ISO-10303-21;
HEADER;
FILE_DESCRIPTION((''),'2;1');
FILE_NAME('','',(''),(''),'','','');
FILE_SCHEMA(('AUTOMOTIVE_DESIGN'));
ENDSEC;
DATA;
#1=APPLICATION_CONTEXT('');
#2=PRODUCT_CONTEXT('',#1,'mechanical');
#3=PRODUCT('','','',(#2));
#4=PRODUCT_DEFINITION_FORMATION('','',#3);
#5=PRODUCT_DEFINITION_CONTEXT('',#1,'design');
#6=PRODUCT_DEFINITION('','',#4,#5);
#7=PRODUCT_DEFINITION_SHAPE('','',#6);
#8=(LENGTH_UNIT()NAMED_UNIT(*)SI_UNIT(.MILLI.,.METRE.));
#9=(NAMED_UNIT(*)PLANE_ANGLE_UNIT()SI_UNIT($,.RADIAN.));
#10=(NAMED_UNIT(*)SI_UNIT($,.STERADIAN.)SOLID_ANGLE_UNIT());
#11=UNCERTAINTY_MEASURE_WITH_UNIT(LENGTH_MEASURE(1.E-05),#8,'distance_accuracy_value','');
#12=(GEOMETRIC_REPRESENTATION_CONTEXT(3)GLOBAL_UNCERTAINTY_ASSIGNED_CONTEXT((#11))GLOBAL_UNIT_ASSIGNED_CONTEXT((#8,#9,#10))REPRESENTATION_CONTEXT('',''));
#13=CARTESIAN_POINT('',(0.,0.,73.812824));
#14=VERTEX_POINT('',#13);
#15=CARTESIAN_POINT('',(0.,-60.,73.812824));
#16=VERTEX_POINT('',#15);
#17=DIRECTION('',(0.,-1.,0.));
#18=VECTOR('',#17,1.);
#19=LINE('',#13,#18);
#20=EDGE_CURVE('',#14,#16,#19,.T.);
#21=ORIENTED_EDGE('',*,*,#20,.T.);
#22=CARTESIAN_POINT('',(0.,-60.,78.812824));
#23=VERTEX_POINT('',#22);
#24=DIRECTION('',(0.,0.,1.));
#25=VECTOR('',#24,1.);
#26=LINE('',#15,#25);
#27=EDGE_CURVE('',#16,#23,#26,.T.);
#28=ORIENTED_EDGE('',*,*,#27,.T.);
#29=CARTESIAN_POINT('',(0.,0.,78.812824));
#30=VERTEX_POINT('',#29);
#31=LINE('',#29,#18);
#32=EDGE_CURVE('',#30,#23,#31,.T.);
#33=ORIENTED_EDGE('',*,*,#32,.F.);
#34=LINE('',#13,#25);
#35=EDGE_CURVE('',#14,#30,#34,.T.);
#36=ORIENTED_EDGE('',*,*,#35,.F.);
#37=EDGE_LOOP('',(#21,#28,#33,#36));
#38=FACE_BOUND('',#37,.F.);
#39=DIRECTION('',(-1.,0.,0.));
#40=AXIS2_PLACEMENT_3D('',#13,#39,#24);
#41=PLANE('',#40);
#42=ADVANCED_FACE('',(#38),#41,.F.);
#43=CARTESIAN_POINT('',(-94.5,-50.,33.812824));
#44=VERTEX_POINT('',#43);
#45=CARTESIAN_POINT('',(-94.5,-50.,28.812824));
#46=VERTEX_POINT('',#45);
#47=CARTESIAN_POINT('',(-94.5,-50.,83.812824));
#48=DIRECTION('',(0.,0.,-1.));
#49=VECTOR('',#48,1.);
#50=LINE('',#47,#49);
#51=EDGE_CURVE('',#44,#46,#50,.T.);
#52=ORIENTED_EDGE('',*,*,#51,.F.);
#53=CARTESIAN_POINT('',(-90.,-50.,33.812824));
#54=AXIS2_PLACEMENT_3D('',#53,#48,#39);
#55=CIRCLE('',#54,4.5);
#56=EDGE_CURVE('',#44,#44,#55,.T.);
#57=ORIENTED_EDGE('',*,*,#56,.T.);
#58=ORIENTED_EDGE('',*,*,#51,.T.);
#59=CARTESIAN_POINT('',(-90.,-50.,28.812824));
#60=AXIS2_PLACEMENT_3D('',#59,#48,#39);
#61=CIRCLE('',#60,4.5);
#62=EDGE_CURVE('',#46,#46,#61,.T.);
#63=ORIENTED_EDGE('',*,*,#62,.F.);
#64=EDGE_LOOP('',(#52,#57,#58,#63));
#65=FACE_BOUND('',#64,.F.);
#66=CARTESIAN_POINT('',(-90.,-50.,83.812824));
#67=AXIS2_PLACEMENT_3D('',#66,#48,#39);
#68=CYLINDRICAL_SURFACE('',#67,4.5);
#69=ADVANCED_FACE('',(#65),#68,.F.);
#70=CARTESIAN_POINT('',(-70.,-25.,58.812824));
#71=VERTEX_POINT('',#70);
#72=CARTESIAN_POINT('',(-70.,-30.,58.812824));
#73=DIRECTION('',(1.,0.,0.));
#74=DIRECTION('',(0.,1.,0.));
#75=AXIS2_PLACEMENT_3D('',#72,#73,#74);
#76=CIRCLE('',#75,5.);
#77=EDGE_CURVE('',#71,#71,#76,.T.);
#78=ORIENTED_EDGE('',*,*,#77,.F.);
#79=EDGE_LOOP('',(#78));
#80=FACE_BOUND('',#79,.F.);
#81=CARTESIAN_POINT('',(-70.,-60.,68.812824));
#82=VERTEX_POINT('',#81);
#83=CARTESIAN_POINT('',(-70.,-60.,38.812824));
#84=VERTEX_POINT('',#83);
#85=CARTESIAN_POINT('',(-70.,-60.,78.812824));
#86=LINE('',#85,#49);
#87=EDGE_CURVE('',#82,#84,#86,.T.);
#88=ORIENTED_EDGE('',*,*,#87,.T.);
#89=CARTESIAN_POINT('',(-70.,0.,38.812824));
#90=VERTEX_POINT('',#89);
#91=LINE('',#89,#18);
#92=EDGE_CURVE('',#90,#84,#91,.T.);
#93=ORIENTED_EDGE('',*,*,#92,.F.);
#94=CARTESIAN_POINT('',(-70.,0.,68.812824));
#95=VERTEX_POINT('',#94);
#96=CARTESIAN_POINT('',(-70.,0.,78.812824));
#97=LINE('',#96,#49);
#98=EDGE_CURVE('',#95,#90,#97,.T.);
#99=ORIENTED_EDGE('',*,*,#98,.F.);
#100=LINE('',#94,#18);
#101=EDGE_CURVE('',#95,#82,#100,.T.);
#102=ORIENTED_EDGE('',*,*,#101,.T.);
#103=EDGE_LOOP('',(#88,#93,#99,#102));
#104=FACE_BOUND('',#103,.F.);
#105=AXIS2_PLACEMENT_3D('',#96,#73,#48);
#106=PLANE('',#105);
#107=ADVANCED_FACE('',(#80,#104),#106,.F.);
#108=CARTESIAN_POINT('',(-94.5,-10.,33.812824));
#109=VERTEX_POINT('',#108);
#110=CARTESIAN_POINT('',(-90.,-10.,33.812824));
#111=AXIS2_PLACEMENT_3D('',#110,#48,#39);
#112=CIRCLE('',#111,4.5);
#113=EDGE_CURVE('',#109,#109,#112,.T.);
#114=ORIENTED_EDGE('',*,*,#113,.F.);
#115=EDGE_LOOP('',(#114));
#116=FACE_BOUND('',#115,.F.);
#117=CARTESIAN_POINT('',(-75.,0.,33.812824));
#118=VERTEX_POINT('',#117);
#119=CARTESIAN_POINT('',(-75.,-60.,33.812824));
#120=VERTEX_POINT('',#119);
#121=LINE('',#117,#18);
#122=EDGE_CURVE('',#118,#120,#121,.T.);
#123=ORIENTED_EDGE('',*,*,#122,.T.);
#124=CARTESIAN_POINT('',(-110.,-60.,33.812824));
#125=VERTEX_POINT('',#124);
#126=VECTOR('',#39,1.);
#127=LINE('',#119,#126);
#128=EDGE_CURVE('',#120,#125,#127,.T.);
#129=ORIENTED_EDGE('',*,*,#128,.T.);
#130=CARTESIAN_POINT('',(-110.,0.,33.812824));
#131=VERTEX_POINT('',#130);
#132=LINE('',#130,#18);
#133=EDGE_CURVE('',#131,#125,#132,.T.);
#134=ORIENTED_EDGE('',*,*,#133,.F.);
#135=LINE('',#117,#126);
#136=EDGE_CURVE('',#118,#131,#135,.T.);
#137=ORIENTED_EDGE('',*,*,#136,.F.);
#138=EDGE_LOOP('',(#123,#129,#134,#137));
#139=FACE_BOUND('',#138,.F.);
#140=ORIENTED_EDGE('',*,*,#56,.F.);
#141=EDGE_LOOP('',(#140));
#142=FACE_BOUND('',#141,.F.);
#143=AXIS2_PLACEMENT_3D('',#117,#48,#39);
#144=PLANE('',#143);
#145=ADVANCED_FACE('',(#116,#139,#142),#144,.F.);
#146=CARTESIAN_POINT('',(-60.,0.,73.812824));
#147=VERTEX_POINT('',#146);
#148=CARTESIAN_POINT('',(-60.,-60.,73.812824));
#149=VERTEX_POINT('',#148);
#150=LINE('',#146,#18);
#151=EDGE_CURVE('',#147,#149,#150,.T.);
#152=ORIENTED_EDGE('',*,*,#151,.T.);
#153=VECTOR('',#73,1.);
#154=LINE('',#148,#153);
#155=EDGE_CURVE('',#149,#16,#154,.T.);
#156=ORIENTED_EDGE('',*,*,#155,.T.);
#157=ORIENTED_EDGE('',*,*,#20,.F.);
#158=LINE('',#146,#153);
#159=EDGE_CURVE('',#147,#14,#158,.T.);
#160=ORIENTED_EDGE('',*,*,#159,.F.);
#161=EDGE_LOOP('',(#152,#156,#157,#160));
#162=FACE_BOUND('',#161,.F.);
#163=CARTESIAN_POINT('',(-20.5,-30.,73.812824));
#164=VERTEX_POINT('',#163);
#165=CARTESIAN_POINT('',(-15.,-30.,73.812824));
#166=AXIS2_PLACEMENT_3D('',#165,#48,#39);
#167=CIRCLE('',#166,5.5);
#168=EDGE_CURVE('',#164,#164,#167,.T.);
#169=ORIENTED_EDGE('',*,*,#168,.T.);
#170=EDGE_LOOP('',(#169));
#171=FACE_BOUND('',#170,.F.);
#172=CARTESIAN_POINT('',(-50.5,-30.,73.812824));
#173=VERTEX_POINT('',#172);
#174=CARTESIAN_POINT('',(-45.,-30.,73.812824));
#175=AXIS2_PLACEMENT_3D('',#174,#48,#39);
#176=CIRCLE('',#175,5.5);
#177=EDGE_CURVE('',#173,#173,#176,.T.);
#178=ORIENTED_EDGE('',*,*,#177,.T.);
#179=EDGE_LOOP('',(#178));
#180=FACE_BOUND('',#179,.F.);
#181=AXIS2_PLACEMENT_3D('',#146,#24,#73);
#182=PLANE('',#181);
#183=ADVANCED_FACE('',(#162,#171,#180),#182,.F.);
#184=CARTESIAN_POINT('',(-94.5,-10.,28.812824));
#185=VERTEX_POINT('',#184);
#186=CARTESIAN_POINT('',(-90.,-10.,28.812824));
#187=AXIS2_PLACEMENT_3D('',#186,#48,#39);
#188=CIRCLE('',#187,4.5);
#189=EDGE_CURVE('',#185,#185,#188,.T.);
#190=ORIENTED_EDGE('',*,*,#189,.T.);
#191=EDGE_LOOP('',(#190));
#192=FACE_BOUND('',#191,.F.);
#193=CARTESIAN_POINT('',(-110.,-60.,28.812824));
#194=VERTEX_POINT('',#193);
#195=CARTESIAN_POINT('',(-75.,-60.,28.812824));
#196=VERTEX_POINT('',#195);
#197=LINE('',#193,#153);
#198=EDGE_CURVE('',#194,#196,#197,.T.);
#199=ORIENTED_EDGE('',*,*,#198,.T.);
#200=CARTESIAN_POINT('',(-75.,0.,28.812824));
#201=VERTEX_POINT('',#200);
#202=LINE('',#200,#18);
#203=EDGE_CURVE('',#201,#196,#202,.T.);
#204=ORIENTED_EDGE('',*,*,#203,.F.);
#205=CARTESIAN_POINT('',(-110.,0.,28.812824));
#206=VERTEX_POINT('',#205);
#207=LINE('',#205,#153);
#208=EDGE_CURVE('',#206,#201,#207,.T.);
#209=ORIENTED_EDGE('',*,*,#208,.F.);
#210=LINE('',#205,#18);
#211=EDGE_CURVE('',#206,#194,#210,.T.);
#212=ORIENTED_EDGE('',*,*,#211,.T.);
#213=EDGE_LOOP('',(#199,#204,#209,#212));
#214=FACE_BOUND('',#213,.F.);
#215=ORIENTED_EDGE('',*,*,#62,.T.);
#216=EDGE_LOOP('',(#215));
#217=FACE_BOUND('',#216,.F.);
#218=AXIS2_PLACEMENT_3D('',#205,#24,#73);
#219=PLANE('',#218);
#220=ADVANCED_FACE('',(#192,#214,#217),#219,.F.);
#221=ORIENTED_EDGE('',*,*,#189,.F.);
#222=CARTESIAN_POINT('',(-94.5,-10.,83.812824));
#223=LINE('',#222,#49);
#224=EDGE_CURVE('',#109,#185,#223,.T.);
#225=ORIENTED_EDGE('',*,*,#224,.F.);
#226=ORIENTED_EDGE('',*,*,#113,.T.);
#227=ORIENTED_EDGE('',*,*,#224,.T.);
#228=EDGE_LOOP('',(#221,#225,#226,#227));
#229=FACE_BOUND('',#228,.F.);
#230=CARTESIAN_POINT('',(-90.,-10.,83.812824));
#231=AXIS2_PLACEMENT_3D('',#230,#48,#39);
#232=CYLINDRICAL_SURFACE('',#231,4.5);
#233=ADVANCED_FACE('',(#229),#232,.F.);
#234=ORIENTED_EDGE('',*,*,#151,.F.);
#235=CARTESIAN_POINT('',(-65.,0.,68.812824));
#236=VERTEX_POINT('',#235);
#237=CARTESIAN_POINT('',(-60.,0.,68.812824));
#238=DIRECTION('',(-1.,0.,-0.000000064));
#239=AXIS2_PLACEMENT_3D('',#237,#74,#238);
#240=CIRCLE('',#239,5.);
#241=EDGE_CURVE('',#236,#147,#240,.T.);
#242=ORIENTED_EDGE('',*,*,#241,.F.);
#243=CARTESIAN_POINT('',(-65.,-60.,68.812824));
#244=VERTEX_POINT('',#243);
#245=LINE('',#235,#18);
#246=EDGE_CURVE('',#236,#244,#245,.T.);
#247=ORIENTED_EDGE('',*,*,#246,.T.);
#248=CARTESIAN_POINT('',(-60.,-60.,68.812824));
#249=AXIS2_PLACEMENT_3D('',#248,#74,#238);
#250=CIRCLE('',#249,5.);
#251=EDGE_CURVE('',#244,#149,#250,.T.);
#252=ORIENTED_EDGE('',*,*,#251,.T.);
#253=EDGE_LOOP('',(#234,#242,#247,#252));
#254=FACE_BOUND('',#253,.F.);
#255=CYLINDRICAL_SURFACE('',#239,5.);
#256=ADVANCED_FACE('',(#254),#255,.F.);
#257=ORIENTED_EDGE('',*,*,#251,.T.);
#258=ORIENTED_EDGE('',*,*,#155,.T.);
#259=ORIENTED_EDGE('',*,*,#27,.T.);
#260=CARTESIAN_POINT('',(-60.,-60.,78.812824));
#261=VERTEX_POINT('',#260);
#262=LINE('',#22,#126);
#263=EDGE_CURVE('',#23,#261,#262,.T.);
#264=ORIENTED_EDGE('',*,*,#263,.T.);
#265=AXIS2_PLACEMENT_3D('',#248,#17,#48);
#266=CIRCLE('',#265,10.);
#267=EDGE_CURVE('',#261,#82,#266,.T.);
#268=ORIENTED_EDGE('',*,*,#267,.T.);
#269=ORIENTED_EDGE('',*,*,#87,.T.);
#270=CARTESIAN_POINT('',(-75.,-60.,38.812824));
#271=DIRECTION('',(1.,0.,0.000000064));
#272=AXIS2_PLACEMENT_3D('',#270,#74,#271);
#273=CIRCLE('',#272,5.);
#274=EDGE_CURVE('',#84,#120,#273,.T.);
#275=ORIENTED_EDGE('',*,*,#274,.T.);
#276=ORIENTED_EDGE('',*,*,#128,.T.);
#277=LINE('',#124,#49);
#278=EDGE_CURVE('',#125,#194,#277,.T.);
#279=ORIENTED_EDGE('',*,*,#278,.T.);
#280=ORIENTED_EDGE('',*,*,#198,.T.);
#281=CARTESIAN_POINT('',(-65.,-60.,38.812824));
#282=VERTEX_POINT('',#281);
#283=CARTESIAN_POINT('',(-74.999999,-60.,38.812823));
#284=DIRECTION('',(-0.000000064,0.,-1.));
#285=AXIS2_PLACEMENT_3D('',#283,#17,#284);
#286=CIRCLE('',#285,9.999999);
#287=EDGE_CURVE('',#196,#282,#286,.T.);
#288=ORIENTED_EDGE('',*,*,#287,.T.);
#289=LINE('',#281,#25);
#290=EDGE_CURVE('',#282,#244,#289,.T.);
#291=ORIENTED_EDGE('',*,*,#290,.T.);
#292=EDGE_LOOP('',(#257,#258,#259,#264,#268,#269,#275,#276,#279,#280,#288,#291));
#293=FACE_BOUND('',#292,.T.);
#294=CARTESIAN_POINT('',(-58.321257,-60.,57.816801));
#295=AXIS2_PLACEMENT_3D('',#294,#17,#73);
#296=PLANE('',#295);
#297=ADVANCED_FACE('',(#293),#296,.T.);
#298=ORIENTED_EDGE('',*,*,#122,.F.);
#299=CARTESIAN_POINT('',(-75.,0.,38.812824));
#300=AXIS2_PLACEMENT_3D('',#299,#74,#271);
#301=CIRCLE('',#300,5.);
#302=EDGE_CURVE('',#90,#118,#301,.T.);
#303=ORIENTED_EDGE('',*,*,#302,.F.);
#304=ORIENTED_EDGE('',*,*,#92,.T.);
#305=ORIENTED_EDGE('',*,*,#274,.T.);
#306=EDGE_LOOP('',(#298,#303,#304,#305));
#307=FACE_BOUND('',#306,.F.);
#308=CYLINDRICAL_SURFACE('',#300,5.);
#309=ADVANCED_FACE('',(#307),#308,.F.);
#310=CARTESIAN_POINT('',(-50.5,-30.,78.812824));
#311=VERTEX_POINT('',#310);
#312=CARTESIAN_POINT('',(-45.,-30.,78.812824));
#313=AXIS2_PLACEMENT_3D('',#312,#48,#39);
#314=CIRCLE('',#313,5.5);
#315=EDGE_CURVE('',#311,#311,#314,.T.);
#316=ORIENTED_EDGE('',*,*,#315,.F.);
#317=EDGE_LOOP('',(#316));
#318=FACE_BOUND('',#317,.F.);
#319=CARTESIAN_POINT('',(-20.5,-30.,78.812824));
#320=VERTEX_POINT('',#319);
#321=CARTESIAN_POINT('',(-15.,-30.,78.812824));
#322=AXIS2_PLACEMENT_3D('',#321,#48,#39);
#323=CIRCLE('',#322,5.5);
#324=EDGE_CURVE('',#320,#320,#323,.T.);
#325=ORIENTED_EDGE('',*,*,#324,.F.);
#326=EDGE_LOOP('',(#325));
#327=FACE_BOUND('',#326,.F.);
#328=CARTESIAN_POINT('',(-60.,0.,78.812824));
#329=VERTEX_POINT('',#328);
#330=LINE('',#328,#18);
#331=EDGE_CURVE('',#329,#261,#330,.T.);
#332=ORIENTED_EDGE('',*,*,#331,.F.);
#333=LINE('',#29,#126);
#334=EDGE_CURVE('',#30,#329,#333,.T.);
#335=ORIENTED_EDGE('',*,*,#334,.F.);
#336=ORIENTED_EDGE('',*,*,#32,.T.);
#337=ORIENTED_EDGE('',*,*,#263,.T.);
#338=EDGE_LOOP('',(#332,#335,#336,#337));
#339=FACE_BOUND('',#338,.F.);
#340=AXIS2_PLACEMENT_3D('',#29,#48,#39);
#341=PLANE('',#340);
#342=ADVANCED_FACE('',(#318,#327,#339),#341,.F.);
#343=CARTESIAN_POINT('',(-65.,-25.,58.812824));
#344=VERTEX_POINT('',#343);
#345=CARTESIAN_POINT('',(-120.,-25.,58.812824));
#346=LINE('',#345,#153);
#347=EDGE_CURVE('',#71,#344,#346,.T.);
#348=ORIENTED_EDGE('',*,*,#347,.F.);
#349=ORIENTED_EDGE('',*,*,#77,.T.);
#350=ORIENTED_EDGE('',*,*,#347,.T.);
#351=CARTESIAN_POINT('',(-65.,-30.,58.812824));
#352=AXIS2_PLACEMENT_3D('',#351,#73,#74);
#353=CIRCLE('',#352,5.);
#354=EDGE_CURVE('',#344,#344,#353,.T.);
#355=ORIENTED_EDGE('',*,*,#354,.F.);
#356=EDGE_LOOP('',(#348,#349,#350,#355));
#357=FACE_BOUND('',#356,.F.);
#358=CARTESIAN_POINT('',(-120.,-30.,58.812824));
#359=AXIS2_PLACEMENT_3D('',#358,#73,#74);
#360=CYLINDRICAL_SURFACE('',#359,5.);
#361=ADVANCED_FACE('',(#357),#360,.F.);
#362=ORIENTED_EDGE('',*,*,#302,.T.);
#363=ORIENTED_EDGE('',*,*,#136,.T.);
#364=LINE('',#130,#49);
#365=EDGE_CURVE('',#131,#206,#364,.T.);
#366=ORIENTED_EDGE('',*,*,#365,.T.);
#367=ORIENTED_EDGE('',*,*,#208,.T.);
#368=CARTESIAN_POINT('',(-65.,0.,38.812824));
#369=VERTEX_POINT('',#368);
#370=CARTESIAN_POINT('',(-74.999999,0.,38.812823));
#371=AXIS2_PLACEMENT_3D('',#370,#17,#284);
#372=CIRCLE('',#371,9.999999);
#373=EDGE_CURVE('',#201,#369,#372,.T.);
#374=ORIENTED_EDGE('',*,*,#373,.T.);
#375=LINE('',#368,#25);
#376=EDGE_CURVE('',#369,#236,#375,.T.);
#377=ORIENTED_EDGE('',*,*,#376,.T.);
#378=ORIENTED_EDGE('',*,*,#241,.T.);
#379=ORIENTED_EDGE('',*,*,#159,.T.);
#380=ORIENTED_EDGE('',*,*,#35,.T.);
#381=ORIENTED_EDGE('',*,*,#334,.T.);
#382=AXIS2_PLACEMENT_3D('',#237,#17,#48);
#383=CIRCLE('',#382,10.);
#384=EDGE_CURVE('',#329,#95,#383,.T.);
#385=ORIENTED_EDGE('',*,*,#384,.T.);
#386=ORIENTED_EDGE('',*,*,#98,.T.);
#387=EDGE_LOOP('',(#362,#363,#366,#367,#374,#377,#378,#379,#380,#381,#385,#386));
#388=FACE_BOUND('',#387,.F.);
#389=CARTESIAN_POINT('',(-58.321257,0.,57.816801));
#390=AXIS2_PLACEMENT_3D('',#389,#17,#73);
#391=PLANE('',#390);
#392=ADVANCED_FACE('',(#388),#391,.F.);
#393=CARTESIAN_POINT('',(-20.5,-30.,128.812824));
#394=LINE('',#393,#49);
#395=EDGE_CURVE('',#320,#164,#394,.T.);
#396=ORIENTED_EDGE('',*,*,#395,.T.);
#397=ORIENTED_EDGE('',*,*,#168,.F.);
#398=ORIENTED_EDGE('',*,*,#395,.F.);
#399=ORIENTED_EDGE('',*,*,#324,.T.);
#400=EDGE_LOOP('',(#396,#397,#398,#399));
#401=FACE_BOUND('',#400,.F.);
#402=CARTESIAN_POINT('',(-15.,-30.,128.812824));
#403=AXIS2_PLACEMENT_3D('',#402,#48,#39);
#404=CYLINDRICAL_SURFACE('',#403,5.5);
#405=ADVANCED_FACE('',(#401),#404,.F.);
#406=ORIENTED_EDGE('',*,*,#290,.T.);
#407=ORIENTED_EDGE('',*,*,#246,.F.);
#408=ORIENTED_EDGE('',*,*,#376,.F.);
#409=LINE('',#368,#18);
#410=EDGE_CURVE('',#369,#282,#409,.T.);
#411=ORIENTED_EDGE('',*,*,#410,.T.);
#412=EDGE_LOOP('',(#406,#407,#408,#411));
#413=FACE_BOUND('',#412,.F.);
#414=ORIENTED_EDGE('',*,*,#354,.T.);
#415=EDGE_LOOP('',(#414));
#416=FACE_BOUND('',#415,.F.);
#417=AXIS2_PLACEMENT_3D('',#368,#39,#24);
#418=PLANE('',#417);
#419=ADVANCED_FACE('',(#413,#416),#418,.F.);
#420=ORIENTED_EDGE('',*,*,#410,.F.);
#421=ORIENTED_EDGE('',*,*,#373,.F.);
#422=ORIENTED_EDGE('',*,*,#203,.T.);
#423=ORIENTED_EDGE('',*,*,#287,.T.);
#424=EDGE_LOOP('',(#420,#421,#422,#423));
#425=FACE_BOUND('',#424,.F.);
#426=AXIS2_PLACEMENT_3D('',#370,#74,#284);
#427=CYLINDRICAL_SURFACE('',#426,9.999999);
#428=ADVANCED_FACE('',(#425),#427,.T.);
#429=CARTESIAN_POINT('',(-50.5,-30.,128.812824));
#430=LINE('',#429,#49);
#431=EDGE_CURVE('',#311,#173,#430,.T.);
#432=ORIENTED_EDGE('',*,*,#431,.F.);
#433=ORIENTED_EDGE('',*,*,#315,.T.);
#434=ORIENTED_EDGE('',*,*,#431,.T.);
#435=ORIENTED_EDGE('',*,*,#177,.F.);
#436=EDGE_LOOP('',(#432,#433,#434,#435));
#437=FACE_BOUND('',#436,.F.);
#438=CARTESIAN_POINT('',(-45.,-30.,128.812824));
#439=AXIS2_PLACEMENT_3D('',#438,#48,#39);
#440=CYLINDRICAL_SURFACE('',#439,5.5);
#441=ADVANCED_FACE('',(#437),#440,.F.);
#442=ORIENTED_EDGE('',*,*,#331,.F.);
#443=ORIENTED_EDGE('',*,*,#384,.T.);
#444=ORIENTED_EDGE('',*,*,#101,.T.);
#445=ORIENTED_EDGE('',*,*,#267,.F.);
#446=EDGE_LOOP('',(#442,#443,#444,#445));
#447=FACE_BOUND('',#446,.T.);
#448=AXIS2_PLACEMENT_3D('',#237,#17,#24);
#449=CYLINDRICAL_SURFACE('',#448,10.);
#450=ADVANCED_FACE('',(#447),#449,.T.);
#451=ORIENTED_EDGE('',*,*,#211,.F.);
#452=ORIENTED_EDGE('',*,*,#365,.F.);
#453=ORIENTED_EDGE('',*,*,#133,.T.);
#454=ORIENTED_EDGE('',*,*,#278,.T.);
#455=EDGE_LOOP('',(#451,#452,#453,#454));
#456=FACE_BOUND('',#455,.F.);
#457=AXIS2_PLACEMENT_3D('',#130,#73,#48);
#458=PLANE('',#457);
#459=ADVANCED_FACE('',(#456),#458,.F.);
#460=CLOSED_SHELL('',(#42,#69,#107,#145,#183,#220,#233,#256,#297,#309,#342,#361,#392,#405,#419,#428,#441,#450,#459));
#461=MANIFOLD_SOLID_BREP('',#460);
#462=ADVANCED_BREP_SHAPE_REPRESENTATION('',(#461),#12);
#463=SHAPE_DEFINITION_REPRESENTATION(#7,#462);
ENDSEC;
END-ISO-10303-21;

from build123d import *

# Parameters (mm, degrees)
F1_DEPTH = 60
F3_D     = 9
F3_DEPTH = 50
F5_D     = 10
F5_DEPTH = 50
F6_R     = 10
F8_D     = 11
F8_DEPTH = 50


with BuildPart() as f1:
    # F0 (on Front) → F1 (new body)
    with BuildSketch(Plane.XZ):
        with BuildLine():
            Line((-110, 33.812824), (-110, 28.812824))
            Line((-110, 28.812824), (-75, 28.812824))
            ThreePointArc((-75, 28.812824), (-67.928932, 31.741756), (-65, 38.812824))
            Line((-65, 38.812824), (-65, 68.812824))
            ThreePointArc((-65, 68.812824), (-63.535534, 72.348358), (-60, 73.812824))
            Line((-60, 73.812824), (0, 73.812824))
            Line((0, 73.812824), (0, 78.812824))
            Line((0, 78.812824), (-60, 78.812824))
            Line((-60, 78.812824), (-70, 78.812824))
            Line((-70, 78.812824), (-70, 68.812824))
            Line((-70, 68.812824), (-70, 38.812824))
            ThreePointArc((-70, 38.812824), (-71.464466, 35.27729), (-75, 33.812824))
            Line((-75, 33.812824), (-110, 33.812824))
        make_face()
    extrude(amount=F1_DEPTH)

    # F3
    with Locations(Plane.XY.offset(33.812824)):
        with Locations((-90, -10), (-90, -50)):
            Hole(F3_D / 2, depth=F3_DEPTH)

    # F5
    with Locations(Plane(origin=(-70, 0, 0), x_dir=(0, -1, 0), z_dir=(-1, 0, 0))):
        with Locations((30, 58.812824)):
            Hole(F5_D / 2, depth=F5_DEPTH)

    # F6
    f6_edges = [f1.edges().sort_by_distance(p)[0] for p in [
        (-70, -30, 78.812824),
    ]]
    fillet(f6_edges, radius=F6_R)

    # F8
    with Locations(Plane.XY.offset(78.812824)):
        with Locations((-15, -30), (-45, -30)):
            Hole(F8_D / 2, depth=F8_DEPTH)


solid = f1.part
